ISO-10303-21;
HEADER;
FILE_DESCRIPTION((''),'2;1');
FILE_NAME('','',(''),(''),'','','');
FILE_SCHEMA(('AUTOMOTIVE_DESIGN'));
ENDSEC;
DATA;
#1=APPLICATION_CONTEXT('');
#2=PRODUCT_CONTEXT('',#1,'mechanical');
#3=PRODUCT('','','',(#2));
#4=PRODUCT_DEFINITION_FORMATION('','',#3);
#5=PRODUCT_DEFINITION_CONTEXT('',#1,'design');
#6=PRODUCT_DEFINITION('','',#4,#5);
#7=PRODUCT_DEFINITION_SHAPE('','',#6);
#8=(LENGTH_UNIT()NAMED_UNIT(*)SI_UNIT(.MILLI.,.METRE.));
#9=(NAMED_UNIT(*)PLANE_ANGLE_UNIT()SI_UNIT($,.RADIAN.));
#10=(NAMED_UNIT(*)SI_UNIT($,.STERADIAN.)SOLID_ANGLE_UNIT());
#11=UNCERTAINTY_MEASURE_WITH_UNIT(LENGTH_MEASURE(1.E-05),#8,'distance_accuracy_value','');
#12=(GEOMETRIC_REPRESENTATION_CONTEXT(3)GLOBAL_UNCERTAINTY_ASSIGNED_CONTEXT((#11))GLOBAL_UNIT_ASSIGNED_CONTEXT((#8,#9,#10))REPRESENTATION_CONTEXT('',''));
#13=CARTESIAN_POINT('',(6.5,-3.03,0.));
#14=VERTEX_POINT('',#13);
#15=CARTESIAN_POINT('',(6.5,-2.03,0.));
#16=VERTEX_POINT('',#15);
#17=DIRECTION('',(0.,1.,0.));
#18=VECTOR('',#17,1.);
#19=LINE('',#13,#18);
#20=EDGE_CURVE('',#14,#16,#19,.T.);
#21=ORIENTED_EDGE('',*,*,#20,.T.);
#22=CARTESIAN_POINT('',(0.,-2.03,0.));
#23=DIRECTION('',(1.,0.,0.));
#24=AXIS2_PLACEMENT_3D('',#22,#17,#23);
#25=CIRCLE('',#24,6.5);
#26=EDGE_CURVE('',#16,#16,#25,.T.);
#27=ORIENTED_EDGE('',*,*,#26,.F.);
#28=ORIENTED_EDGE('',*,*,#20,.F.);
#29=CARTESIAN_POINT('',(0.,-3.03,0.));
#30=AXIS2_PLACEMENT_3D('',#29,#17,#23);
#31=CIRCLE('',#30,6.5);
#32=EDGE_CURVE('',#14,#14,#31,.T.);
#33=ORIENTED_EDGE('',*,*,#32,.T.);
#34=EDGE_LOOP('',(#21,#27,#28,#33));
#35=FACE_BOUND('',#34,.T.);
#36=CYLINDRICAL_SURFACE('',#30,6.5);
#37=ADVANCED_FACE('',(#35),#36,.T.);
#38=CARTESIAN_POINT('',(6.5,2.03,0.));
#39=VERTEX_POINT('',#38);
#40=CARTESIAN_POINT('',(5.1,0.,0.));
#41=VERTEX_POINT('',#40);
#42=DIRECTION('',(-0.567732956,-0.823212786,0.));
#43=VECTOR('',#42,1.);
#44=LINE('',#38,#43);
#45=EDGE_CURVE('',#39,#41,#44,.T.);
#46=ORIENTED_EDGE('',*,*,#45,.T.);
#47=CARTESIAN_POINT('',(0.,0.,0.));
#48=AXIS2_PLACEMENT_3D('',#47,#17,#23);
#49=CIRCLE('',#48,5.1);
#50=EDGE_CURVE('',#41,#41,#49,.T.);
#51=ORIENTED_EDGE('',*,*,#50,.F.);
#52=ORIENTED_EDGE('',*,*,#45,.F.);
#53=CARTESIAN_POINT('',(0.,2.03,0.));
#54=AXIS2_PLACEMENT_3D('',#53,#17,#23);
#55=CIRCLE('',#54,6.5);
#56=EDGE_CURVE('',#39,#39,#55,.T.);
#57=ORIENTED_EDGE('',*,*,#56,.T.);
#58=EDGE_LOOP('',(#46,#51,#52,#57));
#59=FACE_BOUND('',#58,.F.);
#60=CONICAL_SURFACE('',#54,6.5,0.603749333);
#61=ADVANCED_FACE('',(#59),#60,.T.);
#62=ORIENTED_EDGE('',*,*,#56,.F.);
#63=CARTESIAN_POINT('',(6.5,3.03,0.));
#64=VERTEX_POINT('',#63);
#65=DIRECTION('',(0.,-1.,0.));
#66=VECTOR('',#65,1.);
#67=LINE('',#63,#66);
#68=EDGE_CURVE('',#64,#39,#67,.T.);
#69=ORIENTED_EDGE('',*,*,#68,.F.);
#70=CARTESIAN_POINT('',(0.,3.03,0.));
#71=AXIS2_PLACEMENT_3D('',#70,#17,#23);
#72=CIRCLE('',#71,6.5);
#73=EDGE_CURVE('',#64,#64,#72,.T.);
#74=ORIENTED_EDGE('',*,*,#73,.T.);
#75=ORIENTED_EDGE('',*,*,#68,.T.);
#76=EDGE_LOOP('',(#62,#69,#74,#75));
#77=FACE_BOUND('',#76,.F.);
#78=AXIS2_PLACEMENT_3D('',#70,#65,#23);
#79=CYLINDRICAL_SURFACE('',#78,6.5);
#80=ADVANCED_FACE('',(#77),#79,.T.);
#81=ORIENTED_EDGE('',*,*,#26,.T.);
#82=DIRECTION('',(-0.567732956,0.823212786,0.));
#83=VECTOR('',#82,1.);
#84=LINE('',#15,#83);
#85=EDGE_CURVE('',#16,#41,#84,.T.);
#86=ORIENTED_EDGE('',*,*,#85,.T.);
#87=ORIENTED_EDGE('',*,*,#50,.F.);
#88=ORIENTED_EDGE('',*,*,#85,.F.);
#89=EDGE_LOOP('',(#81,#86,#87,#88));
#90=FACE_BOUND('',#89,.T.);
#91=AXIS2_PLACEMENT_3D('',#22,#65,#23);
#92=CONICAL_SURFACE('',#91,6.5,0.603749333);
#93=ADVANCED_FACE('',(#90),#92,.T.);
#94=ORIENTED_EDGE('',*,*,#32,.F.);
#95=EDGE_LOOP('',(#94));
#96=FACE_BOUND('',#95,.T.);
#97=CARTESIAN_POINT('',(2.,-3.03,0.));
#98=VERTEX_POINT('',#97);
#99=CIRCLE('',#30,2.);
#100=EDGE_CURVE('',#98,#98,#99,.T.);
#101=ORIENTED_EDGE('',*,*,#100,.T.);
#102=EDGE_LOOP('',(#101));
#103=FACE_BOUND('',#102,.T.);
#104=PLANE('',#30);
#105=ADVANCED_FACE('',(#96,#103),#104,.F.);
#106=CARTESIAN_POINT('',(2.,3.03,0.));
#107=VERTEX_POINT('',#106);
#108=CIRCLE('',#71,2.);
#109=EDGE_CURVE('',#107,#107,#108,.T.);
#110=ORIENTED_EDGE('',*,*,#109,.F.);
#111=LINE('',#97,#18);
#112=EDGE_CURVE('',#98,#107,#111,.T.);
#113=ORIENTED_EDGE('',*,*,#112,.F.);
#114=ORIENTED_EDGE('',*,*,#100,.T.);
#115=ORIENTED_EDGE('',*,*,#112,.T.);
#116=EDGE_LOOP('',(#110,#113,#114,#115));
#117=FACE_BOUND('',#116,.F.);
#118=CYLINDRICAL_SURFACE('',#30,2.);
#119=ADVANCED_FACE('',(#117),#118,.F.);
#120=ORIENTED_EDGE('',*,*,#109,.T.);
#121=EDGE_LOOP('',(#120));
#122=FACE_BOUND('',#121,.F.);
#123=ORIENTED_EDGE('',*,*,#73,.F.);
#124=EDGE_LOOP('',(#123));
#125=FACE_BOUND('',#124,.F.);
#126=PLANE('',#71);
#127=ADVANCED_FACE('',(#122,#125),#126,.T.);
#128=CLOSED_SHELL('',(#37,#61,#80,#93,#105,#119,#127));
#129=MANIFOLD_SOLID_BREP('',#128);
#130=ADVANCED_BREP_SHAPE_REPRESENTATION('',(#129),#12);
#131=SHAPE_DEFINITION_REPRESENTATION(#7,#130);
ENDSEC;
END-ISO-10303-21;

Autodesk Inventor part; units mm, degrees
ref_plane "YZ Plane" through (0, 0, 0) normal (1, 0, 0) x (0, 1, 0)
ref_plane "XZ Plane" through (0, 0, 0) normal (0, 1, 0) x (-1, 0, 0)
ref_plane "XY Plane" through (0, 0, 0) normal (0, 0, 1) x (1, 0, 0)
sketch "Sketch1" plane through (0, 0, 0) normal (0, 0, 1) x (1, 0, 0)
  line L0 (2, -3.03) -> (2, 3.03)
  line L1 (2, -3.03) -> (6.5, -3.03)
  line L2 (2, 3.03) -> (6.5, 3.03)
  line L3 (6.5, 3.03) -> (6.5, 2.03)
  line L4 (0, 0) -> (0.6672, 0) construction
  line L5 (6.5, 2.03) -> (5.1, 0)
  line L6 (6.5, -3.03) -> (6.5, -2.03)
  line L7 (6.5, -2.03) -> (5.1, 0)
  line L8 (0, -4.242) -> (0, 4.242) projected
  dimension "d0" = 2
  dimension "d1" = 6.06
  dimension "d2" = 3.03
  dimension "d3" = 4.5
  dimension "d5" = 1
  dimension "d6" = 5.1
revolve "Revolution1" add sketch "Sketch1" angle 360 about axis through (0, -10, 0) along (0, 1, 0)
equation "\"d2\" = 0.5 * d1"
properties part number "Rope Bearing Pulley" material "Stainless Steel"
